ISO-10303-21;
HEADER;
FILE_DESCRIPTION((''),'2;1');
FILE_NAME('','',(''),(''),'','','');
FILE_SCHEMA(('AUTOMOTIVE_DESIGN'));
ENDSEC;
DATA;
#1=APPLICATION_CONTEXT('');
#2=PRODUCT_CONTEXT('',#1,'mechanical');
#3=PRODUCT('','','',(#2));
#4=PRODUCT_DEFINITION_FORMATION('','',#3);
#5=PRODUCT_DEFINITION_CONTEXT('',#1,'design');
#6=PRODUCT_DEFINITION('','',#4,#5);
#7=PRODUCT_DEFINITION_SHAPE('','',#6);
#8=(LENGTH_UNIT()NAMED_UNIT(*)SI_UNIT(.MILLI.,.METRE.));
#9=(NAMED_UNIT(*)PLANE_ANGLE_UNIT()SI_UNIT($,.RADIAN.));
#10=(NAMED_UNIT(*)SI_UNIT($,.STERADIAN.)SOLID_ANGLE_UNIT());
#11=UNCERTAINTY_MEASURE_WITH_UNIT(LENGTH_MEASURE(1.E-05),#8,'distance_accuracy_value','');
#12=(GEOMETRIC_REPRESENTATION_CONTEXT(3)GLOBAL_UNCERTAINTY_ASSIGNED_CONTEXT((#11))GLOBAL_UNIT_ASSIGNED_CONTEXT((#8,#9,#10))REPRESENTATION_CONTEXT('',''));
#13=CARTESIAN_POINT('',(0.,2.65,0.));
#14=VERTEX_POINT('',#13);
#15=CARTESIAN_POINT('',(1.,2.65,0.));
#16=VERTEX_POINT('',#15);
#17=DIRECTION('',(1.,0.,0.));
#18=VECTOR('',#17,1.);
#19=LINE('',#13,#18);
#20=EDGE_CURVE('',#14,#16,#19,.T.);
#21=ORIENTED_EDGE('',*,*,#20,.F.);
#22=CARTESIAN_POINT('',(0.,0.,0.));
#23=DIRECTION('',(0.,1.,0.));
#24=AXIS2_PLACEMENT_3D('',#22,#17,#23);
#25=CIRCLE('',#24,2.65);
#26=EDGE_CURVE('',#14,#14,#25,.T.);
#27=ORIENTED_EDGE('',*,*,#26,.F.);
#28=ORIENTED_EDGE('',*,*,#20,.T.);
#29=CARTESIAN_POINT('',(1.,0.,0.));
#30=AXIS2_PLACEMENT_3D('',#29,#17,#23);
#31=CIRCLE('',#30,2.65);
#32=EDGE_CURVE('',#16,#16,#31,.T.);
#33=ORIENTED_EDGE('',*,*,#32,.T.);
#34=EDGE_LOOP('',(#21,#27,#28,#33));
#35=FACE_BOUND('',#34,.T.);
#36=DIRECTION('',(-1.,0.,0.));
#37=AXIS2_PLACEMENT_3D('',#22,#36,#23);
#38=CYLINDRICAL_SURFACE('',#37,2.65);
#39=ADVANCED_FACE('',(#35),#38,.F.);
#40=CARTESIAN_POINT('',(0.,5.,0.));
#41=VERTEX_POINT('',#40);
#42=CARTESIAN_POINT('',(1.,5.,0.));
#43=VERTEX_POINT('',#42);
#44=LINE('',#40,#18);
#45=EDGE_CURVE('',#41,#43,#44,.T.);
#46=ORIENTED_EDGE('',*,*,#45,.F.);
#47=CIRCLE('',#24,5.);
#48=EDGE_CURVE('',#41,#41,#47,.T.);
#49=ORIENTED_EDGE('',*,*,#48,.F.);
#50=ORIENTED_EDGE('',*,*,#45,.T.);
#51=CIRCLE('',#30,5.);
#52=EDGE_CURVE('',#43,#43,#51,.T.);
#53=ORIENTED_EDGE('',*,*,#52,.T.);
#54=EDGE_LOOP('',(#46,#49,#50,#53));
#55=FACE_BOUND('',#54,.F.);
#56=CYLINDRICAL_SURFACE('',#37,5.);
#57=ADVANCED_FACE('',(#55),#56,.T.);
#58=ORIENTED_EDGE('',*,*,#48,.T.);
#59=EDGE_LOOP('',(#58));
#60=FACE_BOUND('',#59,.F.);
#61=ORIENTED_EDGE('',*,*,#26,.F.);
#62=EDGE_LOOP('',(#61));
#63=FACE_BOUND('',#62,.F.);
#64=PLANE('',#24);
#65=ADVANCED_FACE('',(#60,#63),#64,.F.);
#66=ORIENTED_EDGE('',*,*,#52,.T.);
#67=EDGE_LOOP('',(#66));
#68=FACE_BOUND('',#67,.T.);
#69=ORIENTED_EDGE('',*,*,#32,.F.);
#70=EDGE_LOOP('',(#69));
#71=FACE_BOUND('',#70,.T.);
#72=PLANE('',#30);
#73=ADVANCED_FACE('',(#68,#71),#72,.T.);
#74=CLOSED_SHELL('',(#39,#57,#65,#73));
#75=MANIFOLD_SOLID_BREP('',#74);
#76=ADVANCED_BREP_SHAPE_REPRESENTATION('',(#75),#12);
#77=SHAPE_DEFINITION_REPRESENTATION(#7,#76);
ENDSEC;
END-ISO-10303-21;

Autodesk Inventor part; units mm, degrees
ref_plane "YZ Plane" through (0, 0, 0) normal (1, 0, 0) x (0, 1, 0)
ref_plane "XZ Plane" through (0, 0, 0) normal (0, 1, 0) x (-1, 0, 0)
sketch "Sketch" plane through (0, 0, 0) normal (1, 0, 0) x (0, 1, 0)
  circle A0 centre (0, 0) radius 5
  circle A1 centre (0, 0) radius 2.65
  dimension "d0" = 5.3
  dimension "d1" = 10
extrude "Body" add sketch "Sketch" along normal blind 1
ref_plane "Work Plane1" through (0, 0, 0) normal (0, 0, 1) x (1, 0, 0)
equation "\"d0\" = SD1"
equation "\"d1\" = SD2"
equation "\"d2\" = SD"
equation "\"SD1\" = 5.3"
equation "\"SD2\" = 10"
equation "\"SD\" = 1"
equation "\"NND\" = 5"
properties part number "ISO 7089 - 5" material "Stainless Steel"
